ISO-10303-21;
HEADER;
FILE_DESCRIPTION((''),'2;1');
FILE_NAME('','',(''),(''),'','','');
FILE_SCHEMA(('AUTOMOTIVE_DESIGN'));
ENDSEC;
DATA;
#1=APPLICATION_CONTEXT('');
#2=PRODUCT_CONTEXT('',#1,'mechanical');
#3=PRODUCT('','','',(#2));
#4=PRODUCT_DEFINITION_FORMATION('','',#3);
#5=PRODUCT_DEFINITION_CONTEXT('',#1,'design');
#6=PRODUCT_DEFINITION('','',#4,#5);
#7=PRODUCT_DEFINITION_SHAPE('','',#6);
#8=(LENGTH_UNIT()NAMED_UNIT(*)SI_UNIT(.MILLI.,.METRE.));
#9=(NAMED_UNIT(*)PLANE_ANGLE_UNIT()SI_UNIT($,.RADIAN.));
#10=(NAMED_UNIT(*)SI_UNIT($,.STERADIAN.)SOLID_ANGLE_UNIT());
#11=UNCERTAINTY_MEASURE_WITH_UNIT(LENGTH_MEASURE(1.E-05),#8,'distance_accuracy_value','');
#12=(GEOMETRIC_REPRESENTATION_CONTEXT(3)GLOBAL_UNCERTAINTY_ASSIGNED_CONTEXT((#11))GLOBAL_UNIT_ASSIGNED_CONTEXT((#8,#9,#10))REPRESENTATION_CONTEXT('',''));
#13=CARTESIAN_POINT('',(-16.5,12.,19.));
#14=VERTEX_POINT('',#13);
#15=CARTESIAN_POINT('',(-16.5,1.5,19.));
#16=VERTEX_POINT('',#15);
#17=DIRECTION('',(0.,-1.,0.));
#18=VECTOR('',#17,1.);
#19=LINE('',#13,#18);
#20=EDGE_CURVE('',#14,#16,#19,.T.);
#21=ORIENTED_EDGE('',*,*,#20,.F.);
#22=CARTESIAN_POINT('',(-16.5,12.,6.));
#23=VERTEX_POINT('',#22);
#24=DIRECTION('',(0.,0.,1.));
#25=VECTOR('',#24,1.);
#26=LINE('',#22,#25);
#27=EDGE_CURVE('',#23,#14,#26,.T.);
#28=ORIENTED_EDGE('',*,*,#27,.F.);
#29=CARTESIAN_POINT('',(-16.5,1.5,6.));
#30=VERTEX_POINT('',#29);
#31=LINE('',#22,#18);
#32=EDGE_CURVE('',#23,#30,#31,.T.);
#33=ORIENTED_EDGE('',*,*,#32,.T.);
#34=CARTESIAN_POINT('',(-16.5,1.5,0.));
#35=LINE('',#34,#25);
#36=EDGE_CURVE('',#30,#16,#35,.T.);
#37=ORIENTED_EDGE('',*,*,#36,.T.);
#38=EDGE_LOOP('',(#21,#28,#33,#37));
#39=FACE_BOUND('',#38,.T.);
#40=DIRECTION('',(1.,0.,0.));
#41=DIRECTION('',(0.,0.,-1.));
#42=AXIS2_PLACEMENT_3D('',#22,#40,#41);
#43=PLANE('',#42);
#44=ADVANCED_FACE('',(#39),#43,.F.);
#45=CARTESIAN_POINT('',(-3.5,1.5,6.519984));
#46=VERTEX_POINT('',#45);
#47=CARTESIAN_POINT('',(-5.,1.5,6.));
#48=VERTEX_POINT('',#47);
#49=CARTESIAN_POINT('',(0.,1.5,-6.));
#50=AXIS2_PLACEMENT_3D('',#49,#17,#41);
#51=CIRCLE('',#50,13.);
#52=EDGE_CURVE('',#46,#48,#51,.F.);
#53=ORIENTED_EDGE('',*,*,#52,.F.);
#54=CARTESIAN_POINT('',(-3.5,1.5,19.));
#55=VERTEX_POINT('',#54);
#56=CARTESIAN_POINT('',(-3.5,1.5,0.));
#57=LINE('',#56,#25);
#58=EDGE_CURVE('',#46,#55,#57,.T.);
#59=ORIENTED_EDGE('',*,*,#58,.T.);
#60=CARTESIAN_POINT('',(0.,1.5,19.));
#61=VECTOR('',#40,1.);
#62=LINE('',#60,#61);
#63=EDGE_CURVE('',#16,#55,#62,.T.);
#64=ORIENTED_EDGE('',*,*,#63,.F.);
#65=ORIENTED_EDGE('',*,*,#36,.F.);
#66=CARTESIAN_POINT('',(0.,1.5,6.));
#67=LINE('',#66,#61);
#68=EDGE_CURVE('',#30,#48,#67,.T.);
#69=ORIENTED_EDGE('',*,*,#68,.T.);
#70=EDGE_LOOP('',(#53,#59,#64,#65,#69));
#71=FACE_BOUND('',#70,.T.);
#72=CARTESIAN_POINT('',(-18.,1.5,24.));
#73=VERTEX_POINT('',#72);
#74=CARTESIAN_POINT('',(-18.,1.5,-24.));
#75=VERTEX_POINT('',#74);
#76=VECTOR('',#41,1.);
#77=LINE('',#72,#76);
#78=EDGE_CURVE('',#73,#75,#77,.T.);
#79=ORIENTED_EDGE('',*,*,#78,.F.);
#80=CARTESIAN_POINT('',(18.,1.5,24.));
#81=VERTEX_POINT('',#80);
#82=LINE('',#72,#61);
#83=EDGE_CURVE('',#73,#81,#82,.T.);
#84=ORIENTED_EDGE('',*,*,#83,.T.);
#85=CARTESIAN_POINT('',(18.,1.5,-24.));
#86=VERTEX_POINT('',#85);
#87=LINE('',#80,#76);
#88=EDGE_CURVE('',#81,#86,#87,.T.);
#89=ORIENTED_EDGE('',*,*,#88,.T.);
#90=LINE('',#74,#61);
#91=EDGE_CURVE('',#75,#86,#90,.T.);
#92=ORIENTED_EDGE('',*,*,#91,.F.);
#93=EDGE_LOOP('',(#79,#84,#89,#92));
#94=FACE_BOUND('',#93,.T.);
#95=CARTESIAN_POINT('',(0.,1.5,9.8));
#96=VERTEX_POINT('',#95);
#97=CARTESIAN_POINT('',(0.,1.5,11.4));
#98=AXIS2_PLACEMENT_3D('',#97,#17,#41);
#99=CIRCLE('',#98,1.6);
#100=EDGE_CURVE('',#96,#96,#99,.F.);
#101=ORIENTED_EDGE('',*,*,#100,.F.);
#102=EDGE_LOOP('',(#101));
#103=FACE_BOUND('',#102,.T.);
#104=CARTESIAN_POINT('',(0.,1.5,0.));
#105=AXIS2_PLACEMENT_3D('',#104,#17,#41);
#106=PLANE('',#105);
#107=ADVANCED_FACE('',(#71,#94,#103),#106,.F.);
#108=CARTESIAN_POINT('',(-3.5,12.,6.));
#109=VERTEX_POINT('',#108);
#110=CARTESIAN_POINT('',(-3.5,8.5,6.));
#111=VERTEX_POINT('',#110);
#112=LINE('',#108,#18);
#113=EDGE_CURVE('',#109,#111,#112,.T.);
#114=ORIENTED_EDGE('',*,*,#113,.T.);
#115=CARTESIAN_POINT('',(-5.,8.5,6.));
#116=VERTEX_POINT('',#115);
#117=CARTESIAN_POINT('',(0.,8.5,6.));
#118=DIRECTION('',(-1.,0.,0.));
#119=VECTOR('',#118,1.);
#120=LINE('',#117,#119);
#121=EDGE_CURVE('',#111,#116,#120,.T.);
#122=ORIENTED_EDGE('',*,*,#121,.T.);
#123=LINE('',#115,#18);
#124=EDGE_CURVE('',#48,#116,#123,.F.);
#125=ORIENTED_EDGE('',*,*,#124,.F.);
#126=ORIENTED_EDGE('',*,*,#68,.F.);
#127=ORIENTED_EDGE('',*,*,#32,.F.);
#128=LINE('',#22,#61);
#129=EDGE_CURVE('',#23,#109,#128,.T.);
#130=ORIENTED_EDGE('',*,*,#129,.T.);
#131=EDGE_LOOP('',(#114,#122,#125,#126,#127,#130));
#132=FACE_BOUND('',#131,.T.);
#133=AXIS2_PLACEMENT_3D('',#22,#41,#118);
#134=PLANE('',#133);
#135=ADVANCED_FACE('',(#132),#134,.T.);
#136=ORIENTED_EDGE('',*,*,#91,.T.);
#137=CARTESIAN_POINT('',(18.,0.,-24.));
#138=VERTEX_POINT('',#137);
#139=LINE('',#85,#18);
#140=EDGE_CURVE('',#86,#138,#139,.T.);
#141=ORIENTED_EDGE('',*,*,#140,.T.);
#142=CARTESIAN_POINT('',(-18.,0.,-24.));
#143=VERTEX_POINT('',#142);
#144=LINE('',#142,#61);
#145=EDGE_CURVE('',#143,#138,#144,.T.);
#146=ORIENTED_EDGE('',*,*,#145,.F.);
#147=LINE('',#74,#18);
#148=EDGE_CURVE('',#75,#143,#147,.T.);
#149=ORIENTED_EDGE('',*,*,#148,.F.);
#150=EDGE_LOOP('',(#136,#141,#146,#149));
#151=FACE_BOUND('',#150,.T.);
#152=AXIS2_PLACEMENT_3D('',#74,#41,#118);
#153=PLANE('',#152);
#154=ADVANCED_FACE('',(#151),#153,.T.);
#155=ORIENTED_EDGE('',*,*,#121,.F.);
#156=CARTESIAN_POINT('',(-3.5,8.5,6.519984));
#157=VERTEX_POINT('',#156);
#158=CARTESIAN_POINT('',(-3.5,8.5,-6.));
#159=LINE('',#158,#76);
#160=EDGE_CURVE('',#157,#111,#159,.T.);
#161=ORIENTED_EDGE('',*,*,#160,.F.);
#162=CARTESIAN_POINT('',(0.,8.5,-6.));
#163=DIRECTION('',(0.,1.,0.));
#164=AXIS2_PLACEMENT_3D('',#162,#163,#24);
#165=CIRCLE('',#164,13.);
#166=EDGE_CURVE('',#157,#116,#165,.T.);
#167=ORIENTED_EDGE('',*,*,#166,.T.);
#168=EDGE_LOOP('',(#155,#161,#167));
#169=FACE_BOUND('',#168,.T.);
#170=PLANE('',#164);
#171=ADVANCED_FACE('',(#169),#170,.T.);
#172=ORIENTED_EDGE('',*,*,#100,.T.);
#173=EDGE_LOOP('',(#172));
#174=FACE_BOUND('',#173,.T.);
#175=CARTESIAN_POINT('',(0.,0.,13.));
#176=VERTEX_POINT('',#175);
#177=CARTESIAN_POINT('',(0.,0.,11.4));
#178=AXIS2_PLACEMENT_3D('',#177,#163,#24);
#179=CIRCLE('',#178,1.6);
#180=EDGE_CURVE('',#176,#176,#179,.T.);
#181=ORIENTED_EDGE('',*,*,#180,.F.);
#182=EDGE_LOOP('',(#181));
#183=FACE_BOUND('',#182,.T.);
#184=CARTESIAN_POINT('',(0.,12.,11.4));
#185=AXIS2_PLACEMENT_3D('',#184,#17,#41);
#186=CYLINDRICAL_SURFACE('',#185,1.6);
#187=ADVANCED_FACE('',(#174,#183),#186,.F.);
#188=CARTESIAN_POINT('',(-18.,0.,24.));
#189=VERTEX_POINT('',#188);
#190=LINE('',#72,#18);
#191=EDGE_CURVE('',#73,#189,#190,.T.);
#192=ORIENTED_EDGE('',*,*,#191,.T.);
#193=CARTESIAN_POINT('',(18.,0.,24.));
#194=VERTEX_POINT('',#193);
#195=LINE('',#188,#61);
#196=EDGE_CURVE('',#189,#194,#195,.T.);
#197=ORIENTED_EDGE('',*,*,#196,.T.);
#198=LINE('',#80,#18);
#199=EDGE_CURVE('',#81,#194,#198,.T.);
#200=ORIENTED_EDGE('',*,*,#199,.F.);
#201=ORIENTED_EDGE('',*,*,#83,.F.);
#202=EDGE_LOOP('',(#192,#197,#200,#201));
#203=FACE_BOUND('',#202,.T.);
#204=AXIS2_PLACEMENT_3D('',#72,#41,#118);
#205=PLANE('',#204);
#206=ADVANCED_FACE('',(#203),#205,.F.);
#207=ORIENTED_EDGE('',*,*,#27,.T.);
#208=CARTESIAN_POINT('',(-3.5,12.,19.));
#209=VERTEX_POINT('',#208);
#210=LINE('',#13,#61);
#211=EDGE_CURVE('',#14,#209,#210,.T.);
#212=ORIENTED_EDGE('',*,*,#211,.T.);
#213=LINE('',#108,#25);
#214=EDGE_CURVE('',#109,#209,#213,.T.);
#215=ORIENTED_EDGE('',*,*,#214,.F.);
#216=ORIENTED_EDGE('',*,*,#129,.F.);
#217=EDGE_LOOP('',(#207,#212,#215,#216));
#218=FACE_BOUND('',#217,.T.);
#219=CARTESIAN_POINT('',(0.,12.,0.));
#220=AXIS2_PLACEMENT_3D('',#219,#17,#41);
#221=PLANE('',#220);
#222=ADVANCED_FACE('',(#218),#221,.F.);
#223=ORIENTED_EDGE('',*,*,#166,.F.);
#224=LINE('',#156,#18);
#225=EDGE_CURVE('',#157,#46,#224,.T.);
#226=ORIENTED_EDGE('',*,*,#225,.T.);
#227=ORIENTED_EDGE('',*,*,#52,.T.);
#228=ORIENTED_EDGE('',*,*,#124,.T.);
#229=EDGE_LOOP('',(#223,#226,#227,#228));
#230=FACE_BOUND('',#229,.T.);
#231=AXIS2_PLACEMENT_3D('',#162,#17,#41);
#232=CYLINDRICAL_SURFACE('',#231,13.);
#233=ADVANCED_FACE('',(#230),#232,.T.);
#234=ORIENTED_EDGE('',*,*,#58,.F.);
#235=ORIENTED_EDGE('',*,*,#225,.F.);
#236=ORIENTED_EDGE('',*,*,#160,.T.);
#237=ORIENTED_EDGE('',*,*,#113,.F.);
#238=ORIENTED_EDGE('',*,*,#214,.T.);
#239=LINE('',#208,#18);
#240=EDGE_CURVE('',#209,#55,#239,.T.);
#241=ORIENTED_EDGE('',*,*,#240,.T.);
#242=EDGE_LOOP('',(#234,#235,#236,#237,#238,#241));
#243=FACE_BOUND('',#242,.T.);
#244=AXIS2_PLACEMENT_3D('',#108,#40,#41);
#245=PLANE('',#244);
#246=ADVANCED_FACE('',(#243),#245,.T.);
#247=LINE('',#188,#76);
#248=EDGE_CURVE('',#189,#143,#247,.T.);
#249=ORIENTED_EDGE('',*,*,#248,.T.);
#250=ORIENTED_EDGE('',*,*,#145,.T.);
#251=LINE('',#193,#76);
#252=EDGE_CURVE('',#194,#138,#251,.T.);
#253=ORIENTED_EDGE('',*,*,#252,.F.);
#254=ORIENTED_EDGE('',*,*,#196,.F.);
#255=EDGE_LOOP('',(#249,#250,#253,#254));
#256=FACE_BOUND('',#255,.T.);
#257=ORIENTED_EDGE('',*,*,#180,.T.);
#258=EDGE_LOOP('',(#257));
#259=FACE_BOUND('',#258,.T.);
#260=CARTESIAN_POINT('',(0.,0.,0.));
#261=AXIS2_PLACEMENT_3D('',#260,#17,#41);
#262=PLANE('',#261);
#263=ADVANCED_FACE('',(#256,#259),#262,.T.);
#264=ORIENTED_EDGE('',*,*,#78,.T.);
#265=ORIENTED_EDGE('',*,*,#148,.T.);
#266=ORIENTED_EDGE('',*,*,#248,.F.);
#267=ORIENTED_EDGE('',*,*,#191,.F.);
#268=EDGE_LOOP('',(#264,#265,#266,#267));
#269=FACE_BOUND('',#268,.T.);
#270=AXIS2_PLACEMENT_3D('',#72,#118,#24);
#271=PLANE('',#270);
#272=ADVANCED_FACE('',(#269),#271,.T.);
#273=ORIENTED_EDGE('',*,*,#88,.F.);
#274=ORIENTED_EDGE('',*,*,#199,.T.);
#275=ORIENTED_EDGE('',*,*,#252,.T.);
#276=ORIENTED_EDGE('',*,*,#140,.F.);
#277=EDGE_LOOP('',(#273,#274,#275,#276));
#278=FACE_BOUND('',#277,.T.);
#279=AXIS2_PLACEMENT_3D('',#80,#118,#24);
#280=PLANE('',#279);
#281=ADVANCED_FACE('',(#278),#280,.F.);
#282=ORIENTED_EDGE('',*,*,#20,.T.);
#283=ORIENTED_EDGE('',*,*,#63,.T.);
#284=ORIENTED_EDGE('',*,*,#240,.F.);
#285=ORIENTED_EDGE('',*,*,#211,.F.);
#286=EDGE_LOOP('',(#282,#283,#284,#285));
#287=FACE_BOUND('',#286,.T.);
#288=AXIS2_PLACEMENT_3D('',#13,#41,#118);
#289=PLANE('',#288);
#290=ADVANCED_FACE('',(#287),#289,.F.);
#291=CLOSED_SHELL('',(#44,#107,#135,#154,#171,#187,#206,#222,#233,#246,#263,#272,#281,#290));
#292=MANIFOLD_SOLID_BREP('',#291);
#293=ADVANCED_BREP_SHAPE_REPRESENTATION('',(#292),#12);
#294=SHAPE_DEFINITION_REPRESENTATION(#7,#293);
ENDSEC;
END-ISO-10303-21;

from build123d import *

# Parameters (mm, degrees)
SKETCH1_W           = 36
SKETCH1_H           = 48
BOSS_EXTRUDE1_DEPTH = 1.5
SKETCH1_3_R         = 13
BOSS_EXTRUDE2_DEPTH = 8.5
SKETCH1_4_W         = 13
SKETCH1_4_H         = 13
BOSS_EXTRUDE3_DEPTH = 12
SKETCH1_5_R         = 1.6
CUT_EXTRUDE2_DEPTH  = 33.310988843


with BuildPart() as part:
    # Sketch1 → Boss-Extrude1 (new body)
    with BuildSketch(Plane(origin=(0, 0, 0), x_dir=(1, 0, 0), z_dir=(0, 1, 0))):
        Rectangle(SKETCH1_W, SKETCH1_H)
    extrude(amount=BOSS_EXTRUDE1_DEPTH)

    # Sketch1<3> → Boss-Extrude2 (add)
    with BuildSketch(Plane(origin=(0, 0, 0), x_dir=(1, 0, 0), z_dir=(0, 1, 0))):
        with Locations((0, 6)):
            Circle(SKETCH1_3_R)
    extrude(amount=BOSS_EXTRUDE2_DEPTH)

    # Sketch1<4> → Boss-Extrude3 (add)
    with BuildSketch(Plane(origin=(0, 0, 0), x_dir=(1, 0, 0), z_dir=(0, 1, 0))):
        with Locations((-10, -12.5)):
            Rectangle(SKETCH1_4_W, SKETCH1_4_H)
    extrude(amount=BOSS_EXTRUDE3_DEPTH)

    # Sketch1<5> → Cut-Extrude2 (cut, through all)
    with BuildSketch(Plane(origin=(0, 0, 0), x_dir=(1, 0, 0), z_dir=(0, 1, 0))):
        with Locations((0, -11.4)):
            Circle(SKETCH1_5_R)
    extrude(amount=CUT_EXTRUDE2_DEPTH, mode=Mode.SUBTRACT)


solid = part.part
